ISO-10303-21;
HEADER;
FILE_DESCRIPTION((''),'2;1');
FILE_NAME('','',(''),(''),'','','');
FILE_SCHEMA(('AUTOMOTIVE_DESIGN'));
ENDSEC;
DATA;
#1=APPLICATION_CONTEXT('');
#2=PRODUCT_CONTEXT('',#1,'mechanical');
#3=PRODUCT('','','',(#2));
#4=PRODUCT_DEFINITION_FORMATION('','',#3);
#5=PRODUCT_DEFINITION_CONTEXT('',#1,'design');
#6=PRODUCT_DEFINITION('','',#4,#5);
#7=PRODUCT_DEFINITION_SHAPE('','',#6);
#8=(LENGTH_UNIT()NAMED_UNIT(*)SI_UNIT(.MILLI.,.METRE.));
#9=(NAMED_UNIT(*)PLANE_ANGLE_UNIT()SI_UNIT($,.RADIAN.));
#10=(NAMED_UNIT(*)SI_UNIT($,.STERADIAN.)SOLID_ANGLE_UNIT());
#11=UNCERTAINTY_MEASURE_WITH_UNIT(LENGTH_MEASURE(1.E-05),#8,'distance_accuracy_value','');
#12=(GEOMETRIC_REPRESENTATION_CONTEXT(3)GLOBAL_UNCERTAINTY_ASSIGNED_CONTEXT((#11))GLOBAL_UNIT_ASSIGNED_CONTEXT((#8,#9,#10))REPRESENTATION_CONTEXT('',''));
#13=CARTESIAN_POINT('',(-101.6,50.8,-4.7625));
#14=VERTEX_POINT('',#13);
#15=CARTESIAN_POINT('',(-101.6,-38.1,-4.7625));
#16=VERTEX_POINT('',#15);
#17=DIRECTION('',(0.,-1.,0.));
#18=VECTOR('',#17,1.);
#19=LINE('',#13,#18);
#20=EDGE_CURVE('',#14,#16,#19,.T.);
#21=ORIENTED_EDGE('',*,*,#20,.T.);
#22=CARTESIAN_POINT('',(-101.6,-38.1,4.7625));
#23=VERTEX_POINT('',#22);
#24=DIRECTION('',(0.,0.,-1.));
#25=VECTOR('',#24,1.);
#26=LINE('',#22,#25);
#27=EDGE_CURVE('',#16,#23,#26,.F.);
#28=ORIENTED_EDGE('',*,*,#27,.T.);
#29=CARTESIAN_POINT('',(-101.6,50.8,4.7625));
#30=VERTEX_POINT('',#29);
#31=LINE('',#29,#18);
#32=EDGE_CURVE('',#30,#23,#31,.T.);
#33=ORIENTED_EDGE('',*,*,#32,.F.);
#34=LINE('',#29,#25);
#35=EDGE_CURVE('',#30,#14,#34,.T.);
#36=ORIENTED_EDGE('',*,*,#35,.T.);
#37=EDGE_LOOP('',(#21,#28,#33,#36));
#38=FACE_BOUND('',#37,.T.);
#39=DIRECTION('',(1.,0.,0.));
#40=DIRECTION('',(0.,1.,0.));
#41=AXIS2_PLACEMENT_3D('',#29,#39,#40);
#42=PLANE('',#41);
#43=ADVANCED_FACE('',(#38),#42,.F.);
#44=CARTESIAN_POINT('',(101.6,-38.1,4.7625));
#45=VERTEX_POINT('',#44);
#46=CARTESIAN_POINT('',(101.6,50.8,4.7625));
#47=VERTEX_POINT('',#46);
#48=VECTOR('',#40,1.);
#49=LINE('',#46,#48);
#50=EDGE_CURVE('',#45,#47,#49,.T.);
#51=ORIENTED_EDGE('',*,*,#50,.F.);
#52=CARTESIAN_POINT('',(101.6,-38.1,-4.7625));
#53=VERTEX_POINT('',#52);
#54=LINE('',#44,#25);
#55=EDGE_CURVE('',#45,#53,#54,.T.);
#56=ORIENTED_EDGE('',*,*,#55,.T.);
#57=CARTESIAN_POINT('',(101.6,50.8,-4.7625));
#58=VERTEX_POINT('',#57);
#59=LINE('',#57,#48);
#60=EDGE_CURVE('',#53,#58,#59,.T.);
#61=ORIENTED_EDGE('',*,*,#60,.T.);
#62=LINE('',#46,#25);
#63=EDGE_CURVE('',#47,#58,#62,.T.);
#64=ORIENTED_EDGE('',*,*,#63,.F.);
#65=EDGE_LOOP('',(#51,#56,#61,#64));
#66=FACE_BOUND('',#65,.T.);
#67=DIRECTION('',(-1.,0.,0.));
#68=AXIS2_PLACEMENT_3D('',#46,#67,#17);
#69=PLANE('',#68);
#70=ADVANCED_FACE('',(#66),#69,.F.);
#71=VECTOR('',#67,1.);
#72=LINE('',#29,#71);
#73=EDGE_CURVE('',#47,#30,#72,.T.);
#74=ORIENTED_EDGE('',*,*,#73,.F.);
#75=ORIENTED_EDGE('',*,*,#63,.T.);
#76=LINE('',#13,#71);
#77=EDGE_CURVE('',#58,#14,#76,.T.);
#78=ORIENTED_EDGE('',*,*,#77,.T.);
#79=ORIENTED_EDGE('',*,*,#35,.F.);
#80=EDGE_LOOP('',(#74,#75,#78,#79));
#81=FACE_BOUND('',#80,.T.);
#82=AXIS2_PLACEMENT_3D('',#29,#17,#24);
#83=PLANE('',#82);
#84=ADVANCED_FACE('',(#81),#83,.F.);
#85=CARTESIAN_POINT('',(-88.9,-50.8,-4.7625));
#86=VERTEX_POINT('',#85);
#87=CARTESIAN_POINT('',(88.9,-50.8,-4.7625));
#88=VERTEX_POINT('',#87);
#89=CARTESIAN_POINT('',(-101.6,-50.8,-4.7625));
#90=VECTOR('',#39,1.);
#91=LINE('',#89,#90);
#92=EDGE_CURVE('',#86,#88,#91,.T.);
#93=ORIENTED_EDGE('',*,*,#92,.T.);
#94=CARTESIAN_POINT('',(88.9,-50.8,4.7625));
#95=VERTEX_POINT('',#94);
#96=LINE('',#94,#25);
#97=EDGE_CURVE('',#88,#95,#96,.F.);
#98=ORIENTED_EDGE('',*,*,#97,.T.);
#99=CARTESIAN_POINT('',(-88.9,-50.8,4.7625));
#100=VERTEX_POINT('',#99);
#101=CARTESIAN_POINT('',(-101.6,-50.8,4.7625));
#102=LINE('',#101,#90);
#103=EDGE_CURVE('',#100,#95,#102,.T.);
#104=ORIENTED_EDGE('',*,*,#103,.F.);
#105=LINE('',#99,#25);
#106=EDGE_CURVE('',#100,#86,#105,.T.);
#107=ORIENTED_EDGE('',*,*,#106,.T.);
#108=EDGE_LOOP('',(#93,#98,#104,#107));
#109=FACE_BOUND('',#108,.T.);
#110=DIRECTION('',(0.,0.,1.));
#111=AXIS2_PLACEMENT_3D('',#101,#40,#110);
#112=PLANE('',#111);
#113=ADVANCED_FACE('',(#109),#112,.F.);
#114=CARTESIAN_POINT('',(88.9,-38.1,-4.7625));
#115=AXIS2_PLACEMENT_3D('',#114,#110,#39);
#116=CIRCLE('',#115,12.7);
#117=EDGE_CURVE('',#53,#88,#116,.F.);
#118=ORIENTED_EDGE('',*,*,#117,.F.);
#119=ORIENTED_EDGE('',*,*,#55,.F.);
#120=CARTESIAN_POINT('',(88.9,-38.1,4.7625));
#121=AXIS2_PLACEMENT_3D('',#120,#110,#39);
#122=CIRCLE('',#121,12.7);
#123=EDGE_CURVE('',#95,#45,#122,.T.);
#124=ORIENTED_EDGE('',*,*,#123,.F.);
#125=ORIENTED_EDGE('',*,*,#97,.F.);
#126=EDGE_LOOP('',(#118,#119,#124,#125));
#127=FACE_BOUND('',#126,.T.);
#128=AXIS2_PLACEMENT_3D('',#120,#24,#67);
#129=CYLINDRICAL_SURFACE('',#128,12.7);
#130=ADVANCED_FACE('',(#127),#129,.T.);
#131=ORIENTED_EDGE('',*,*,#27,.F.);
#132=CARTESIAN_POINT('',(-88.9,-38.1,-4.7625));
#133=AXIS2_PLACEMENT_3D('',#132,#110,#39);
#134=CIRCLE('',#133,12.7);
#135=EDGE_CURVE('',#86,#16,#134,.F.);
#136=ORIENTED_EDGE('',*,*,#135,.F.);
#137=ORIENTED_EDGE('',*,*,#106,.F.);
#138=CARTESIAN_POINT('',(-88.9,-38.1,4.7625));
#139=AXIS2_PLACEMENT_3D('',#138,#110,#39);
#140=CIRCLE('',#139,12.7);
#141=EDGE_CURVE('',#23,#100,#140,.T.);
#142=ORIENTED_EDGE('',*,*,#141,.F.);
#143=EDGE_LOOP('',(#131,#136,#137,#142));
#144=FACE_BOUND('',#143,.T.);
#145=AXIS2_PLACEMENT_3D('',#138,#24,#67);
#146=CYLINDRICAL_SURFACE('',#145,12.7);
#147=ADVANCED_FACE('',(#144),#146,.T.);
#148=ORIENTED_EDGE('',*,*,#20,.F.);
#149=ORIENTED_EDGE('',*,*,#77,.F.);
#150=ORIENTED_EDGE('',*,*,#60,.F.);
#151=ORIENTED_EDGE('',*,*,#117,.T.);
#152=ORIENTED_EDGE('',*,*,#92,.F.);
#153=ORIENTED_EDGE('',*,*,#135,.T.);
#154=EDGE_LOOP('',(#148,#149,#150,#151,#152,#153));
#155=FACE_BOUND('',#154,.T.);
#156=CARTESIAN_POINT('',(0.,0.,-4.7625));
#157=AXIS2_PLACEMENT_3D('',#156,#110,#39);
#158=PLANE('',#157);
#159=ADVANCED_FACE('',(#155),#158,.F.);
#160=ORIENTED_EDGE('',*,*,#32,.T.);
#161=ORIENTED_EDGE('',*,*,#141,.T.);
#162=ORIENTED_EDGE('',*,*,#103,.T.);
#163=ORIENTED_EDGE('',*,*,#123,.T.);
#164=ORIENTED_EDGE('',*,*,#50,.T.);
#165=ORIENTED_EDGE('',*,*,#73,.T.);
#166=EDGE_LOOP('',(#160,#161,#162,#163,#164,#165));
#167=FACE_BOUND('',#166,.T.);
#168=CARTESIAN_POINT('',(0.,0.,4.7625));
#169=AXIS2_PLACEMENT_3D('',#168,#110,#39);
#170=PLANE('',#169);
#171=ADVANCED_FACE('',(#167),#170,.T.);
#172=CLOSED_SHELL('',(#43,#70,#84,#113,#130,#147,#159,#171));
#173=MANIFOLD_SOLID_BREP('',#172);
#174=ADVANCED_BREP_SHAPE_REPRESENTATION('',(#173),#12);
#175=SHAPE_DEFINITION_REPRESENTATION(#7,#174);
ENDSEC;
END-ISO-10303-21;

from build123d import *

# Parameters (mm, degrees)
SKETCH1_W           = 203.2
SKETCH1_H           = 101.6
BOSS_EXTRUDE1_DEPTH = 4.7625
FILLET1_R           = 12.7


with BuildPart() as part:
    # Sketch1 → Boss-Extrude1 (new body, symmetric)
    with BuildSketch(Plane.XY):
        Rectangle(SKETCH1_W, SKETCH1_H)
    extrude(amount=BOSS_EXTRUDE1_DEPTH, both=True)

    # Fillet1
    fillet1_edges = [part.edges().sort_by_distance(p)[0] for p in [
        (101.6, -50.8, 0),
        (-101.6, -50.8, 0),
    ]]
    fillet(fillet1_edges, radius=FILLET1_R)


solid = part.part
